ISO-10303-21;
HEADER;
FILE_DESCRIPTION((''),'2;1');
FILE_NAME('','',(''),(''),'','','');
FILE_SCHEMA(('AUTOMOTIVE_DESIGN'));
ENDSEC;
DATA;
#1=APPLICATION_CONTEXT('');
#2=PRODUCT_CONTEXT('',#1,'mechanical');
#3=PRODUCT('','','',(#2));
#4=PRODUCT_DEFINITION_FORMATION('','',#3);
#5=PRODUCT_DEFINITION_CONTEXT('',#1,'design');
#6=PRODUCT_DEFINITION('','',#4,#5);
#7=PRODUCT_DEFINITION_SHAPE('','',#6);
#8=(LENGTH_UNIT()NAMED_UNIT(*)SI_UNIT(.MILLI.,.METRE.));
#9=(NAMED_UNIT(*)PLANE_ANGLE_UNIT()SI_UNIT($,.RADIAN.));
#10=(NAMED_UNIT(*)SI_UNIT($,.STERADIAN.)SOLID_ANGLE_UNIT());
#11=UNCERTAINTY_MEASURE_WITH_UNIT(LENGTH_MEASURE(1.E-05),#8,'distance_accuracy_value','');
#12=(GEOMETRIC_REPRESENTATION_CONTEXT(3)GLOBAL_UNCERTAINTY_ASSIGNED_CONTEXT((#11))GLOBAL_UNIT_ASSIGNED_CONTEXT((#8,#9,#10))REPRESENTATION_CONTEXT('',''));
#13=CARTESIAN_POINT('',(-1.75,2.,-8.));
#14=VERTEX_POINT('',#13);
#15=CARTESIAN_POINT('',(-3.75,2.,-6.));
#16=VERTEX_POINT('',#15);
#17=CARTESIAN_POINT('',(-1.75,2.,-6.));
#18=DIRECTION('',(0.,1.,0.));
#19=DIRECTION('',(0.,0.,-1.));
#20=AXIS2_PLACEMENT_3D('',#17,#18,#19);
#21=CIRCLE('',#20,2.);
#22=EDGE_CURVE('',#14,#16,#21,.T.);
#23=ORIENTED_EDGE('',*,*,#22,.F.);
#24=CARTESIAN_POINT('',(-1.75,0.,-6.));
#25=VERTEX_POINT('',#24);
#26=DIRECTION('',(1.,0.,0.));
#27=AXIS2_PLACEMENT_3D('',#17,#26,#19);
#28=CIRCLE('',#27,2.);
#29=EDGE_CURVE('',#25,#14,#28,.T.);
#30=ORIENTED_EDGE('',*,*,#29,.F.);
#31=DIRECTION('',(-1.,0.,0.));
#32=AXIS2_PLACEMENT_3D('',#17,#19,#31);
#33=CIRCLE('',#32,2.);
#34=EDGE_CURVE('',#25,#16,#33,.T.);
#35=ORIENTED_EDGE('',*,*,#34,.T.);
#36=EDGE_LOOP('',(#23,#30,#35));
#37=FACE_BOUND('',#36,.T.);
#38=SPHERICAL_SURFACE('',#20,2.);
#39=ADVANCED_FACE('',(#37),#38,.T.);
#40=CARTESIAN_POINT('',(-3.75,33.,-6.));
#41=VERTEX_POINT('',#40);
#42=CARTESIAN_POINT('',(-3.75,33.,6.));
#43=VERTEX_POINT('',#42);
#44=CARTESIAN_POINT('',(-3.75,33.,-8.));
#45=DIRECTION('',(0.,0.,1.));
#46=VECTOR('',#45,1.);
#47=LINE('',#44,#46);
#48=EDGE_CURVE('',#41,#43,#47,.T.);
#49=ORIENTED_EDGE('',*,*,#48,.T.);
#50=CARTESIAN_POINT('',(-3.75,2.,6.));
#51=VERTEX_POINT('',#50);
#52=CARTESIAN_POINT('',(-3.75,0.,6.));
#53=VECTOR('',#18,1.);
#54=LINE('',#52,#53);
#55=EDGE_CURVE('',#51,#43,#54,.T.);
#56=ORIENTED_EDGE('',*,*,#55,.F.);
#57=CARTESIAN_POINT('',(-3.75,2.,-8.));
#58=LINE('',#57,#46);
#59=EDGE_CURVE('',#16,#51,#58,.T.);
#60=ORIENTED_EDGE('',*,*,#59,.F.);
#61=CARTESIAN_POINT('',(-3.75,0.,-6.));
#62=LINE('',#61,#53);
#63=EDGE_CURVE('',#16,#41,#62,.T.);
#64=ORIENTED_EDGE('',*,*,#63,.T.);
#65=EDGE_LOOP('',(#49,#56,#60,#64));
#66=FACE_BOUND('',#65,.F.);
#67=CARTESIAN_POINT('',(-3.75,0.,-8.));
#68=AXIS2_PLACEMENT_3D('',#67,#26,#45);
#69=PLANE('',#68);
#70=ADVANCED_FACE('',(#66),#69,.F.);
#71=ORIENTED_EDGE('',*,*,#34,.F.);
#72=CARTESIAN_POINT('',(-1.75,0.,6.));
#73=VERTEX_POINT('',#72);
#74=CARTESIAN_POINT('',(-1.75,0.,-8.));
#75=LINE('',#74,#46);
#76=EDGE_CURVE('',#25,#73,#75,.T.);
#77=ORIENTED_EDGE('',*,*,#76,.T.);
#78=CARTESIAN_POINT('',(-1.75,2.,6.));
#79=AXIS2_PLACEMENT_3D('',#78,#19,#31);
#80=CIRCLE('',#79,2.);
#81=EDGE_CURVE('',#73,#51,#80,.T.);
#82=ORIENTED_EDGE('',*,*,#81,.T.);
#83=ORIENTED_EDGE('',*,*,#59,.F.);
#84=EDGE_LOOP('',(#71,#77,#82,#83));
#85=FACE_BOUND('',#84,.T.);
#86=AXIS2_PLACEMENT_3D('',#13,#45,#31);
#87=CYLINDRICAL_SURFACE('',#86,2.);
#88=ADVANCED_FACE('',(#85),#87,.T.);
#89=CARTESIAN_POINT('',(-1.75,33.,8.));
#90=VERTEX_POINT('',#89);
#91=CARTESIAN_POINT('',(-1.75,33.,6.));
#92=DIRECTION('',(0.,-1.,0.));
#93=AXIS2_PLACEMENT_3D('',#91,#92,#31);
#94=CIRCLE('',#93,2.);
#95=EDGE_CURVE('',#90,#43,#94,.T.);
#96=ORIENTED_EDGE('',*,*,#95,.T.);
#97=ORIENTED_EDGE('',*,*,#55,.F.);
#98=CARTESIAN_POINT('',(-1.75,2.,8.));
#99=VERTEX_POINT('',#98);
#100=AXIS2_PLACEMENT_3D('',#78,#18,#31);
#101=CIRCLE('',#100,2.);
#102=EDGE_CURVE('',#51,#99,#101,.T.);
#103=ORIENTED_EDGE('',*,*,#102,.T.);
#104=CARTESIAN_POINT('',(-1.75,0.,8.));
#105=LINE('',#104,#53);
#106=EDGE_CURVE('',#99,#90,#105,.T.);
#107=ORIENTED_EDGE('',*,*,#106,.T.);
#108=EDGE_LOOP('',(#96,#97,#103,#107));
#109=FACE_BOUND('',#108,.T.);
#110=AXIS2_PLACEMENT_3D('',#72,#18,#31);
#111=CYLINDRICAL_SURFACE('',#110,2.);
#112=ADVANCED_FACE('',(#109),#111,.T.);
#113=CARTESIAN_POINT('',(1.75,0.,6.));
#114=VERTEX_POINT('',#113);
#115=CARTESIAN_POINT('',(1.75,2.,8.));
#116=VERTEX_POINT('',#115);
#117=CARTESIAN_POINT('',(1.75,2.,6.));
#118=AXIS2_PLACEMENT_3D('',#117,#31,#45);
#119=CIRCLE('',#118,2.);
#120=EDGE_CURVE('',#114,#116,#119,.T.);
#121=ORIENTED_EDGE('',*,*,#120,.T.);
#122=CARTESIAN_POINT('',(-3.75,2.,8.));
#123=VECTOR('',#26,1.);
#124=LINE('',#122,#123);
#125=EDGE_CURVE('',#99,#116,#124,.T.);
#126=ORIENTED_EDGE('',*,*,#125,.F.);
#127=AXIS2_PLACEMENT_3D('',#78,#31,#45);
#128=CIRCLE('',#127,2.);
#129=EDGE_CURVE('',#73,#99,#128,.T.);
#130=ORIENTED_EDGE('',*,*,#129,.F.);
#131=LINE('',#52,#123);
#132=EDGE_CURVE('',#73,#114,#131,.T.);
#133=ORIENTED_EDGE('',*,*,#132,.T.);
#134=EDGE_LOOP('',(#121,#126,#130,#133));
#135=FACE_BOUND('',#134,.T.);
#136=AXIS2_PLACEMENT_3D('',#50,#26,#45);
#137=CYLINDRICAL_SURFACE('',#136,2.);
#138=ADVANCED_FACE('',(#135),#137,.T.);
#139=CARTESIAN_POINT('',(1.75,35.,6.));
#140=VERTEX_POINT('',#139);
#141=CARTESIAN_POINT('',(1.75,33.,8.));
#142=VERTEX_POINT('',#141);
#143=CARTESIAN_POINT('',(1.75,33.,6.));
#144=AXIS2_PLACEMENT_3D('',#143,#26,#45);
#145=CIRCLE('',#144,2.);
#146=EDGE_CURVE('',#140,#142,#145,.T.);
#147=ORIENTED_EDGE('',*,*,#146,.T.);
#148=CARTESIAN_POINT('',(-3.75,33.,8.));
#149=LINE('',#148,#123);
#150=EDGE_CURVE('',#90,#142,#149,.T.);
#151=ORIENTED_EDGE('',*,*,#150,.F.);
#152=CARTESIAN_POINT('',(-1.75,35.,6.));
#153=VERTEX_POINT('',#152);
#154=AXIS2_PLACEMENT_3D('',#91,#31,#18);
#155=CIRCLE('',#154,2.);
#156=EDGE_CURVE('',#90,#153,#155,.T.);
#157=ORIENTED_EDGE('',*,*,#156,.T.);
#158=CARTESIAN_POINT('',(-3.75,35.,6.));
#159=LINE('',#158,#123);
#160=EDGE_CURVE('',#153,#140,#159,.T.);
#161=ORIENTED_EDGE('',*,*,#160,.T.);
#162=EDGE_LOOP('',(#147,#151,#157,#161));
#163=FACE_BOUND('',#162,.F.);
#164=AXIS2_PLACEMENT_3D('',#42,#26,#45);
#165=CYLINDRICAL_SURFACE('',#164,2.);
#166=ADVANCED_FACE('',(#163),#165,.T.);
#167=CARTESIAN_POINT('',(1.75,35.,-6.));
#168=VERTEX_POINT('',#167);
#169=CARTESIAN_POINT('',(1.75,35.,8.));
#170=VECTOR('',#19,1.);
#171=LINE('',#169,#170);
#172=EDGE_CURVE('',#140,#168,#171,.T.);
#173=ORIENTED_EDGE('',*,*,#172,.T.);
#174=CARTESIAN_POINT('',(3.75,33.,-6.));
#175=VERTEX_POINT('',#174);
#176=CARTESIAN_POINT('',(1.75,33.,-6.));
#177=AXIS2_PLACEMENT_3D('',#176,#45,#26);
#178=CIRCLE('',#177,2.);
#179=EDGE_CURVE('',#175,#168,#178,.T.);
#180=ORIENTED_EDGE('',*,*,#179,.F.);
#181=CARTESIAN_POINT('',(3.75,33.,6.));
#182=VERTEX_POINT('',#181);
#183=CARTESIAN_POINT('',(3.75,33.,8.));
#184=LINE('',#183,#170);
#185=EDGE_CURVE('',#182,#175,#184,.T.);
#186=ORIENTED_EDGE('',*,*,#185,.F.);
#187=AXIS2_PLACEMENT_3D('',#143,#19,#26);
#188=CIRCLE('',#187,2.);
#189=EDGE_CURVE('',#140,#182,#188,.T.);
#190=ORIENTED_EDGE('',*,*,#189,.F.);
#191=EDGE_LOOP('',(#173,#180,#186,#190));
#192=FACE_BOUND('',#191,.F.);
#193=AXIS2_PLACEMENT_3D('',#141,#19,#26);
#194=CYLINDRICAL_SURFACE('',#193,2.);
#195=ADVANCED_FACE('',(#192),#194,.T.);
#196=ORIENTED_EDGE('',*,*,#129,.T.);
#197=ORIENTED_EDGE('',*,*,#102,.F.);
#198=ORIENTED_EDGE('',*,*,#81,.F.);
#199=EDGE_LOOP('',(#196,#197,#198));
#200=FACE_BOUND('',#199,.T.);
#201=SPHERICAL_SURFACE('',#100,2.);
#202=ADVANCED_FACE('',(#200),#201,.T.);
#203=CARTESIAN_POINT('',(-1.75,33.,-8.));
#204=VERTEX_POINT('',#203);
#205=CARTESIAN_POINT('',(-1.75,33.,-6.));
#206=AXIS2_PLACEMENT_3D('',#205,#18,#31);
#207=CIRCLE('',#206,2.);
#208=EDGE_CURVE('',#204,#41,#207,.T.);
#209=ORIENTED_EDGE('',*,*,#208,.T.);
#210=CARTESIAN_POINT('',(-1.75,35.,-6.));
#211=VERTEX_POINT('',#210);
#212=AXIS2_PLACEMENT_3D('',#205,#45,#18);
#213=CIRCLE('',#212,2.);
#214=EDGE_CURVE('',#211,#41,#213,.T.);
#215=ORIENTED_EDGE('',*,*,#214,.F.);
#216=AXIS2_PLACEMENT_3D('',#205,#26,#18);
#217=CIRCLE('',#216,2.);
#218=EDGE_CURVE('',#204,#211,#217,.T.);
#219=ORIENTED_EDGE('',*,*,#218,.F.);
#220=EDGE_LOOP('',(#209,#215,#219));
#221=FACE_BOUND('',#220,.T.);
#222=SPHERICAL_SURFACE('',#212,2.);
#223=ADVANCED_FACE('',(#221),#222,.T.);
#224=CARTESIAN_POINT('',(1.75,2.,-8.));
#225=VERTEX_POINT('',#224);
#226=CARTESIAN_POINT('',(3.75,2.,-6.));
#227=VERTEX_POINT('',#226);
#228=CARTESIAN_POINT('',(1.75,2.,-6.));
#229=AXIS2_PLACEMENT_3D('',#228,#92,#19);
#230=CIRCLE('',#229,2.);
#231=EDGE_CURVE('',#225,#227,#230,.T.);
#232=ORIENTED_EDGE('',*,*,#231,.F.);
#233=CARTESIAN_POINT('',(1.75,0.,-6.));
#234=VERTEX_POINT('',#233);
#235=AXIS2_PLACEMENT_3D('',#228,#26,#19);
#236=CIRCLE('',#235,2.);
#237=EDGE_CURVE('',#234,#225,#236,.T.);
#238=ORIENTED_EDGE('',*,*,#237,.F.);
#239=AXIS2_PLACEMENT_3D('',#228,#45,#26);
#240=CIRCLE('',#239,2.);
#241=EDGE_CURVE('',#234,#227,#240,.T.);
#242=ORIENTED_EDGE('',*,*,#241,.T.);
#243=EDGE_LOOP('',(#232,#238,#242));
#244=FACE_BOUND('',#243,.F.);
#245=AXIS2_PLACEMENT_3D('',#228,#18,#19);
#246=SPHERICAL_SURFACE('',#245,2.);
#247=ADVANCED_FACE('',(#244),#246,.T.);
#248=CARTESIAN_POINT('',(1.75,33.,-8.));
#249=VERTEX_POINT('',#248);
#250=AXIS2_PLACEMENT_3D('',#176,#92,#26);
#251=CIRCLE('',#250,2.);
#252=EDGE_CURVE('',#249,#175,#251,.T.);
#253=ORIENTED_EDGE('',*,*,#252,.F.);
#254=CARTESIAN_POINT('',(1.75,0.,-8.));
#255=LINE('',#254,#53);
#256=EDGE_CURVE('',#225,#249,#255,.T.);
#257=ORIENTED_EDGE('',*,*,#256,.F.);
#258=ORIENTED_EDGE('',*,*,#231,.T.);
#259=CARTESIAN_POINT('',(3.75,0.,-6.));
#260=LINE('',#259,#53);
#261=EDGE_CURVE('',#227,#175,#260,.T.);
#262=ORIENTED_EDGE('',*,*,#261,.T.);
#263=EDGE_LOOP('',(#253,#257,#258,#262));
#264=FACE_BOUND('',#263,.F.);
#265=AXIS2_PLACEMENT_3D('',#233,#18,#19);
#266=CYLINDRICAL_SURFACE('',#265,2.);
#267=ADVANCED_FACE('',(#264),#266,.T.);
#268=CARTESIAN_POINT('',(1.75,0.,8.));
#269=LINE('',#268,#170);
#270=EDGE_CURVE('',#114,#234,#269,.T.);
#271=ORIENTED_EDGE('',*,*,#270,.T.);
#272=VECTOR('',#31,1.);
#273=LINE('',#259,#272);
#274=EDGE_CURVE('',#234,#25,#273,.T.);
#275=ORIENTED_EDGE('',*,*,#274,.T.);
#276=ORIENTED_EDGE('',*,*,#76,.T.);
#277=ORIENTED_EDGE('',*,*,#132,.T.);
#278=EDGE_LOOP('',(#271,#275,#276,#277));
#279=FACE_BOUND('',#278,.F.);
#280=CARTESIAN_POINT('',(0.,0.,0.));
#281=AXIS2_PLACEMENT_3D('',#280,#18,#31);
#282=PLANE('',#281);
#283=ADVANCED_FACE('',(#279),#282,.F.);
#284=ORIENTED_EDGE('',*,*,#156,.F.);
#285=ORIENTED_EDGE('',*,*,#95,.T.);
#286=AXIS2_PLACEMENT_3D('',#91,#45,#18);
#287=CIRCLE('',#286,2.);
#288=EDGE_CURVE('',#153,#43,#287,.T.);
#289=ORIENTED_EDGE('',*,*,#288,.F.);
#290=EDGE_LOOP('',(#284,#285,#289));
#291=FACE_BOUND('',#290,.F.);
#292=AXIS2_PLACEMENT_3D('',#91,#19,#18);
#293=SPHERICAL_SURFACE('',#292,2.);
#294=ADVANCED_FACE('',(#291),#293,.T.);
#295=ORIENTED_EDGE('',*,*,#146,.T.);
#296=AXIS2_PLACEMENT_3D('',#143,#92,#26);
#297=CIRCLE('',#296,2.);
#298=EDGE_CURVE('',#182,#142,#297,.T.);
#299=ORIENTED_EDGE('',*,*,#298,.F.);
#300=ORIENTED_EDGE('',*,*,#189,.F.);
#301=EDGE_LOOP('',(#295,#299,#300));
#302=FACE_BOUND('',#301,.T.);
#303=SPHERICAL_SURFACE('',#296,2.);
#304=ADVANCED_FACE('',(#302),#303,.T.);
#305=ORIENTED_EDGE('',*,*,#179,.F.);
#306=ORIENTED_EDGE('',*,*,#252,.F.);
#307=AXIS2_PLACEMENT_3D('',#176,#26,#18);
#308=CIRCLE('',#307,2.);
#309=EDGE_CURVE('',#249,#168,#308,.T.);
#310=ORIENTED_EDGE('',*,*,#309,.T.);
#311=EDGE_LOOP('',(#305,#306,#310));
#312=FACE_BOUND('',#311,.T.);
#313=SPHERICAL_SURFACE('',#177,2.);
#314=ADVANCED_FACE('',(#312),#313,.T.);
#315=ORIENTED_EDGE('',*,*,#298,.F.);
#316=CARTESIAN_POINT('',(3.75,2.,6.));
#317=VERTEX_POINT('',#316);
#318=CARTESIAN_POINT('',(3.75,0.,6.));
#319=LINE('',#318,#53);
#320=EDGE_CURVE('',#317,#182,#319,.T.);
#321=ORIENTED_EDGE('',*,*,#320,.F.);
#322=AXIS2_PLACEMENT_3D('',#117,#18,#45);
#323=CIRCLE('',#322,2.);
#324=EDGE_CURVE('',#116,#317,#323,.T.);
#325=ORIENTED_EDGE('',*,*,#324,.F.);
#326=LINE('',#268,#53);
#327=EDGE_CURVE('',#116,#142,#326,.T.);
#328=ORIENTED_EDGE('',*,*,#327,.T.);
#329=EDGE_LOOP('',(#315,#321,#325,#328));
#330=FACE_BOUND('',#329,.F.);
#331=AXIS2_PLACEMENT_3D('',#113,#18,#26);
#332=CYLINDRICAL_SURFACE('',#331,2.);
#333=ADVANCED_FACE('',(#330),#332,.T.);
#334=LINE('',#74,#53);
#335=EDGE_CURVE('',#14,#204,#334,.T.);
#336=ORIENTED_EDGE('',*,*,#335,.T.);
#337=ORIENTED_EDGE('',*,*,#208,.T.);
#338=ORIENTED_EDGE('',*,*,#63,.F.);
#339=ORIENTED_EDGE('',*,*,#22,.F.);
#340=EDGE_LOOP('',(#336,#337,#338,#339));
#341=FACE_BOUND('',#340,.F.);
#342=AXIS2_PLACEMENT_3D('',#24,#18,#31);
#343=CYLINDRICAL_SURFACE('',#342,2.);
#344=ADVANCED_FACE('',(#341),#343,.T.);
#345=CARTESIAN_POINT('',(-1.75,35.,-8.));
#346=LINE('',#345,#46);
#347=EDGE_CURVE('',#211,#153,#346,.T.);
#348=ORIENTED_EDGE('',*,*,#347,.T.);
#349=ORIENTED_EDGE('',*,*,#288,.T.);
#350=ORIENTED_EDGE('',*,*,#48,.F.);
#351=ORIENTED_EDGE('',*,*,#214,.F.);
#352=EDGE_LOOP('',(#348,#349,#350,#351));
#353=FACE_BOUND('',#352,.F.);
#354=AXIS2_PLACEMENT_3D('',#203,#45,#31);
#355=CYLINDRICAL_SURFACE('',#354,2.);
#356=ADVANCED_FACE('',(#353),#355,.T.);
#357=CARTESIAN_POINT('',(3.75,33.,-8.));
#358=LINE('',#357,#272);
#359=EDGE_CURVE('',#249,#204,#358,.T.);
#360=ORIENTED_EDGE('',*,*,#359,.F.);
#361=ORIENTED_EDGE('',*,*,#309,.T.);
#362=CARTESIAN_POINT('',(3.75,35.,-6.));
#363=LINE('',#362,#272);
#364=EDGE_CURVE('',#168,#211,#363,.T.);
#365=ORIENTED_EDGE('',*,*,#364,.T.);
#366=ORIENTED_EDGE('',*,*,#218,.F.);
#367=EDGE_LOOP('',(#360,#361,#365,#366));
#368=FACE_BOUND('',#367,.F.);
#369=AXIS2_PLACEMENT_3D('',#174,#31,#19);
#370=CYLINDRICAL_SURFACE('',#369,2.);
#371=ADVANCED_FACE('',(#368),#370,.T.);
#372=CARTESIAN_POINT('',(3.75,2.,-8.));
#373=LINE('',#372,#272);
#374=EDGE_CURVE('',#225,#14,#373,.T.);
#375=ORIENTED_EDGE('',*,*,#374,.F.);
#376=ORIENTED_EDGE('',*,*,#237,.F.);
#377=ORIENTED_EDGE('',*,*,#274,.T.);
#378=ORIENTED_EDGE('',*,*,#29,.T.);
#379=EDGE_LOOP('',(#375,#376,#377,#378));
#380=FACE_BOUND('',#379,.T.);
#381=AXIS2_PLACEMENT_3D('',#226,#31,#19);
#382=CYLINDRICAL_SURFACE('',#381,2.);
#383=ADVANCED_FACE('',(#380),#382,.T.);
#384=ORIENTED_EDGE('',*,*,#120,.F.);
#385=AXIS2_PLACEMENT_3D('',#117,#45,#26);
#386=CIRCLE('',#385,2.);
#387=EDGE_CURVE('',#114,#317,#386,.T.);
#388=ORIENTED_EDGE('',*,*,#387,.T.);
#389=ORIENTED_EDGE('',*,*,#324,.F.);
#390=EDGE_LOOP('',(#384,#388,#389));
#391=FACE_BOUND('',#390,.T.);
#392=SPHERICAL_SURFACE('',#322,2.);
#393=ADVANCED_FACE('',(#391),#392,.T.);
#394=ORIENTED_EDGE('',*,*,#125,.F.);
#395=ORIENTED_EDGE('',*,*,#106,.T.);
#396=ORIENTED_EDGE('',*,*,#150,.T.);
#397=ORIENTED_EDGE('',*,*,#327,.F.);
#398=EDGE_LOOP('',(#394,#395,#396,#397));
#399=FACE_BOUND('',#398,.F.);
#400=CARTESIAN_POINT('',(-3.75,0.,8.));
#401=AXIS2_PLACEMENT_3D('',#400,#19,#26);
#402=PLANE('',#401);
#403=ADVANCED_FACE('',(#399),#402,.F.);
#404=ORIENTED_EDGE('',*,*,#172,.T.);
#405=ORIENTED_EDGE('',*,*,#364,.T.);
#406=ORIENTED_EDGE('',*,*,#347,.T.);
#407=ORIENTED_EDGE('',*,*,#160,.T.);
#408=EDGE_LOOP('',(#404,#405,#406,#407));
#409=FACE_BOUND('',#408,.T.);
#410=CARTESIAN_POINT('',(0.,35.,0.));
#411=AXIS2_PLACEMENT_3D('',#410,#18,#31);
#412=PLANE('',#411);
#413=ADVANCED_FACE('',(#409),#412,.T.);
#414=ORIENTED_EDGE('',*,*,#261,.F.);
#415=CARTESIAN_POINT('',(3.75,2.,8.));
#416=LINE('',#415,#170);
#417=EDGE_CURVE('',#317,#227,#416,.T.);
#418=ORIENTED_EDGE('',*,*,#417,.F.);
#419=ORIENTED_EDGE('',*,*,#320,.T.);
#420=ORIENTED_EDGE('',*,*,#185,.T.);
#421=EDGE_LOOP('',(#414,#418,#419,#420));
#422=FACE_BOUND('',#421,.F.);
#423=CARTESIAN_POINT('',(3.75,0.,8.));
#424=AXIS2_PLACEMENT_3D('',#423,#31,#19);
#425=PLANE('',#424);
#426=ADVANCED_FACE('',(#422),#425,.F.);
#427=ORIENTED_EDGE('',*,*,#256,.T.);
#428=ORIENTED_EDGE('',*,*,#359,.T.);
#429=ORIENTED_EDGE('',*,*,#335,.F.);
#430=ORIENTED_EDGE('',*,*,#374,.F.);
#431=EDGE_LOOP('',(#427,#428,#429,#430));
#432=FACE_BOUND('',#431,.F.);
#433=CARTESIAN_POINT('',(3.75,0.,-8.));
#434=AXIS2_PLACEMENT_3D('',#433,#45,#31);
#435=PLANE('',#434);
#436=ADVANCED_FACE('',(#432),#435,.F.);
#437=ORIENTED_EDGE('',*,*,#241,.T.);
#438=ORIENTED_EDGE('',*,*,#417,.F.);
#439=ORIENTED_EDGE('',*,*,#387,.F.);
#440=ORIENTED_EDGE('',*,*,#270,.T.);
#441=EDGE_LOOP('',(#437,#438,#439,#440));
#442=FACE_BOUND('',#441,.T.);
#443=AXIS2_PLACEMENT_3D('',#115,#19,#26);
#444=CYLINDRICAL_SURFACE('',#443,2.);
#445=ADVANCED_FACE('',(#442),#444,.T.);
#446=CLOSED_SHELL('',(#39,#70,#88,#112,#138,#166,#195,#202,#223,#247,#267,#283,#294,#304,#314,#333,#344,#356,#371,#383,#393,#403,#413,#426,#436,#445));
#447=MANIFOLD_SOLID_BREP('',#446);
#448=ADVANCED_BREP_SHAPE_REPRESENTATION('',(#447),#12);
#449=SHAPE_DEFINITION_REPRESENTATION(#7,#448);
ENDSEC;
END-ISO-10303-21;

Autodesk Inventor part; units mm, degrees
ref_plane "YZ Plane" through (0, 0, 0) normal (1, 0, 0) x (0, 1, 0)
ref_plane "XZ Plane" through (0, 0, 0) normal (0, 1, 0) x (-1, 0, 0)
ref_plane "XY Plane" through (0, 0, 0) normal (0, 0, 1) x (1, 0, 0)
sketch "Sketch1" plane through (0, 0, 0) normal (0, 1, 0) x (-1, 0, 0)
  line L0 (3.75, 8) -> (-3.75, 8)
  line L1 (-3.75, 8) -> (-3.75, -8)
  line L2 (-3.75, -8) -> (3.75, -8)
  line L3 (3.75, -8) -> (3.75, 8)
  line L4 (3.75, 8) -> (-3.75, -8) construction
  line L5 (-3.75, 8) -> (3.75, -8) construction
  point P0 (0, 0)
  dimension "d0" = 7.5
  dimension "d1" = 16
extrude "Extrusion1" add sketch "Sketch1" along normal blind 35
fillet "Fillet1" radius 2 12 edges at (3.75, 17.5, 8) (3.75, 35, 0) (-3.75, 35, 0) (0, 35, 8) (-3.75, 17.5, 8) (3.75, 17.5, -8) (0, 35, -8) (-3.75, 17.5, -8) (0, 0, -8) (-3.75, 0, 0) (0, 0, 8) (3.75, 0, 0)
properties part number "Battery"
